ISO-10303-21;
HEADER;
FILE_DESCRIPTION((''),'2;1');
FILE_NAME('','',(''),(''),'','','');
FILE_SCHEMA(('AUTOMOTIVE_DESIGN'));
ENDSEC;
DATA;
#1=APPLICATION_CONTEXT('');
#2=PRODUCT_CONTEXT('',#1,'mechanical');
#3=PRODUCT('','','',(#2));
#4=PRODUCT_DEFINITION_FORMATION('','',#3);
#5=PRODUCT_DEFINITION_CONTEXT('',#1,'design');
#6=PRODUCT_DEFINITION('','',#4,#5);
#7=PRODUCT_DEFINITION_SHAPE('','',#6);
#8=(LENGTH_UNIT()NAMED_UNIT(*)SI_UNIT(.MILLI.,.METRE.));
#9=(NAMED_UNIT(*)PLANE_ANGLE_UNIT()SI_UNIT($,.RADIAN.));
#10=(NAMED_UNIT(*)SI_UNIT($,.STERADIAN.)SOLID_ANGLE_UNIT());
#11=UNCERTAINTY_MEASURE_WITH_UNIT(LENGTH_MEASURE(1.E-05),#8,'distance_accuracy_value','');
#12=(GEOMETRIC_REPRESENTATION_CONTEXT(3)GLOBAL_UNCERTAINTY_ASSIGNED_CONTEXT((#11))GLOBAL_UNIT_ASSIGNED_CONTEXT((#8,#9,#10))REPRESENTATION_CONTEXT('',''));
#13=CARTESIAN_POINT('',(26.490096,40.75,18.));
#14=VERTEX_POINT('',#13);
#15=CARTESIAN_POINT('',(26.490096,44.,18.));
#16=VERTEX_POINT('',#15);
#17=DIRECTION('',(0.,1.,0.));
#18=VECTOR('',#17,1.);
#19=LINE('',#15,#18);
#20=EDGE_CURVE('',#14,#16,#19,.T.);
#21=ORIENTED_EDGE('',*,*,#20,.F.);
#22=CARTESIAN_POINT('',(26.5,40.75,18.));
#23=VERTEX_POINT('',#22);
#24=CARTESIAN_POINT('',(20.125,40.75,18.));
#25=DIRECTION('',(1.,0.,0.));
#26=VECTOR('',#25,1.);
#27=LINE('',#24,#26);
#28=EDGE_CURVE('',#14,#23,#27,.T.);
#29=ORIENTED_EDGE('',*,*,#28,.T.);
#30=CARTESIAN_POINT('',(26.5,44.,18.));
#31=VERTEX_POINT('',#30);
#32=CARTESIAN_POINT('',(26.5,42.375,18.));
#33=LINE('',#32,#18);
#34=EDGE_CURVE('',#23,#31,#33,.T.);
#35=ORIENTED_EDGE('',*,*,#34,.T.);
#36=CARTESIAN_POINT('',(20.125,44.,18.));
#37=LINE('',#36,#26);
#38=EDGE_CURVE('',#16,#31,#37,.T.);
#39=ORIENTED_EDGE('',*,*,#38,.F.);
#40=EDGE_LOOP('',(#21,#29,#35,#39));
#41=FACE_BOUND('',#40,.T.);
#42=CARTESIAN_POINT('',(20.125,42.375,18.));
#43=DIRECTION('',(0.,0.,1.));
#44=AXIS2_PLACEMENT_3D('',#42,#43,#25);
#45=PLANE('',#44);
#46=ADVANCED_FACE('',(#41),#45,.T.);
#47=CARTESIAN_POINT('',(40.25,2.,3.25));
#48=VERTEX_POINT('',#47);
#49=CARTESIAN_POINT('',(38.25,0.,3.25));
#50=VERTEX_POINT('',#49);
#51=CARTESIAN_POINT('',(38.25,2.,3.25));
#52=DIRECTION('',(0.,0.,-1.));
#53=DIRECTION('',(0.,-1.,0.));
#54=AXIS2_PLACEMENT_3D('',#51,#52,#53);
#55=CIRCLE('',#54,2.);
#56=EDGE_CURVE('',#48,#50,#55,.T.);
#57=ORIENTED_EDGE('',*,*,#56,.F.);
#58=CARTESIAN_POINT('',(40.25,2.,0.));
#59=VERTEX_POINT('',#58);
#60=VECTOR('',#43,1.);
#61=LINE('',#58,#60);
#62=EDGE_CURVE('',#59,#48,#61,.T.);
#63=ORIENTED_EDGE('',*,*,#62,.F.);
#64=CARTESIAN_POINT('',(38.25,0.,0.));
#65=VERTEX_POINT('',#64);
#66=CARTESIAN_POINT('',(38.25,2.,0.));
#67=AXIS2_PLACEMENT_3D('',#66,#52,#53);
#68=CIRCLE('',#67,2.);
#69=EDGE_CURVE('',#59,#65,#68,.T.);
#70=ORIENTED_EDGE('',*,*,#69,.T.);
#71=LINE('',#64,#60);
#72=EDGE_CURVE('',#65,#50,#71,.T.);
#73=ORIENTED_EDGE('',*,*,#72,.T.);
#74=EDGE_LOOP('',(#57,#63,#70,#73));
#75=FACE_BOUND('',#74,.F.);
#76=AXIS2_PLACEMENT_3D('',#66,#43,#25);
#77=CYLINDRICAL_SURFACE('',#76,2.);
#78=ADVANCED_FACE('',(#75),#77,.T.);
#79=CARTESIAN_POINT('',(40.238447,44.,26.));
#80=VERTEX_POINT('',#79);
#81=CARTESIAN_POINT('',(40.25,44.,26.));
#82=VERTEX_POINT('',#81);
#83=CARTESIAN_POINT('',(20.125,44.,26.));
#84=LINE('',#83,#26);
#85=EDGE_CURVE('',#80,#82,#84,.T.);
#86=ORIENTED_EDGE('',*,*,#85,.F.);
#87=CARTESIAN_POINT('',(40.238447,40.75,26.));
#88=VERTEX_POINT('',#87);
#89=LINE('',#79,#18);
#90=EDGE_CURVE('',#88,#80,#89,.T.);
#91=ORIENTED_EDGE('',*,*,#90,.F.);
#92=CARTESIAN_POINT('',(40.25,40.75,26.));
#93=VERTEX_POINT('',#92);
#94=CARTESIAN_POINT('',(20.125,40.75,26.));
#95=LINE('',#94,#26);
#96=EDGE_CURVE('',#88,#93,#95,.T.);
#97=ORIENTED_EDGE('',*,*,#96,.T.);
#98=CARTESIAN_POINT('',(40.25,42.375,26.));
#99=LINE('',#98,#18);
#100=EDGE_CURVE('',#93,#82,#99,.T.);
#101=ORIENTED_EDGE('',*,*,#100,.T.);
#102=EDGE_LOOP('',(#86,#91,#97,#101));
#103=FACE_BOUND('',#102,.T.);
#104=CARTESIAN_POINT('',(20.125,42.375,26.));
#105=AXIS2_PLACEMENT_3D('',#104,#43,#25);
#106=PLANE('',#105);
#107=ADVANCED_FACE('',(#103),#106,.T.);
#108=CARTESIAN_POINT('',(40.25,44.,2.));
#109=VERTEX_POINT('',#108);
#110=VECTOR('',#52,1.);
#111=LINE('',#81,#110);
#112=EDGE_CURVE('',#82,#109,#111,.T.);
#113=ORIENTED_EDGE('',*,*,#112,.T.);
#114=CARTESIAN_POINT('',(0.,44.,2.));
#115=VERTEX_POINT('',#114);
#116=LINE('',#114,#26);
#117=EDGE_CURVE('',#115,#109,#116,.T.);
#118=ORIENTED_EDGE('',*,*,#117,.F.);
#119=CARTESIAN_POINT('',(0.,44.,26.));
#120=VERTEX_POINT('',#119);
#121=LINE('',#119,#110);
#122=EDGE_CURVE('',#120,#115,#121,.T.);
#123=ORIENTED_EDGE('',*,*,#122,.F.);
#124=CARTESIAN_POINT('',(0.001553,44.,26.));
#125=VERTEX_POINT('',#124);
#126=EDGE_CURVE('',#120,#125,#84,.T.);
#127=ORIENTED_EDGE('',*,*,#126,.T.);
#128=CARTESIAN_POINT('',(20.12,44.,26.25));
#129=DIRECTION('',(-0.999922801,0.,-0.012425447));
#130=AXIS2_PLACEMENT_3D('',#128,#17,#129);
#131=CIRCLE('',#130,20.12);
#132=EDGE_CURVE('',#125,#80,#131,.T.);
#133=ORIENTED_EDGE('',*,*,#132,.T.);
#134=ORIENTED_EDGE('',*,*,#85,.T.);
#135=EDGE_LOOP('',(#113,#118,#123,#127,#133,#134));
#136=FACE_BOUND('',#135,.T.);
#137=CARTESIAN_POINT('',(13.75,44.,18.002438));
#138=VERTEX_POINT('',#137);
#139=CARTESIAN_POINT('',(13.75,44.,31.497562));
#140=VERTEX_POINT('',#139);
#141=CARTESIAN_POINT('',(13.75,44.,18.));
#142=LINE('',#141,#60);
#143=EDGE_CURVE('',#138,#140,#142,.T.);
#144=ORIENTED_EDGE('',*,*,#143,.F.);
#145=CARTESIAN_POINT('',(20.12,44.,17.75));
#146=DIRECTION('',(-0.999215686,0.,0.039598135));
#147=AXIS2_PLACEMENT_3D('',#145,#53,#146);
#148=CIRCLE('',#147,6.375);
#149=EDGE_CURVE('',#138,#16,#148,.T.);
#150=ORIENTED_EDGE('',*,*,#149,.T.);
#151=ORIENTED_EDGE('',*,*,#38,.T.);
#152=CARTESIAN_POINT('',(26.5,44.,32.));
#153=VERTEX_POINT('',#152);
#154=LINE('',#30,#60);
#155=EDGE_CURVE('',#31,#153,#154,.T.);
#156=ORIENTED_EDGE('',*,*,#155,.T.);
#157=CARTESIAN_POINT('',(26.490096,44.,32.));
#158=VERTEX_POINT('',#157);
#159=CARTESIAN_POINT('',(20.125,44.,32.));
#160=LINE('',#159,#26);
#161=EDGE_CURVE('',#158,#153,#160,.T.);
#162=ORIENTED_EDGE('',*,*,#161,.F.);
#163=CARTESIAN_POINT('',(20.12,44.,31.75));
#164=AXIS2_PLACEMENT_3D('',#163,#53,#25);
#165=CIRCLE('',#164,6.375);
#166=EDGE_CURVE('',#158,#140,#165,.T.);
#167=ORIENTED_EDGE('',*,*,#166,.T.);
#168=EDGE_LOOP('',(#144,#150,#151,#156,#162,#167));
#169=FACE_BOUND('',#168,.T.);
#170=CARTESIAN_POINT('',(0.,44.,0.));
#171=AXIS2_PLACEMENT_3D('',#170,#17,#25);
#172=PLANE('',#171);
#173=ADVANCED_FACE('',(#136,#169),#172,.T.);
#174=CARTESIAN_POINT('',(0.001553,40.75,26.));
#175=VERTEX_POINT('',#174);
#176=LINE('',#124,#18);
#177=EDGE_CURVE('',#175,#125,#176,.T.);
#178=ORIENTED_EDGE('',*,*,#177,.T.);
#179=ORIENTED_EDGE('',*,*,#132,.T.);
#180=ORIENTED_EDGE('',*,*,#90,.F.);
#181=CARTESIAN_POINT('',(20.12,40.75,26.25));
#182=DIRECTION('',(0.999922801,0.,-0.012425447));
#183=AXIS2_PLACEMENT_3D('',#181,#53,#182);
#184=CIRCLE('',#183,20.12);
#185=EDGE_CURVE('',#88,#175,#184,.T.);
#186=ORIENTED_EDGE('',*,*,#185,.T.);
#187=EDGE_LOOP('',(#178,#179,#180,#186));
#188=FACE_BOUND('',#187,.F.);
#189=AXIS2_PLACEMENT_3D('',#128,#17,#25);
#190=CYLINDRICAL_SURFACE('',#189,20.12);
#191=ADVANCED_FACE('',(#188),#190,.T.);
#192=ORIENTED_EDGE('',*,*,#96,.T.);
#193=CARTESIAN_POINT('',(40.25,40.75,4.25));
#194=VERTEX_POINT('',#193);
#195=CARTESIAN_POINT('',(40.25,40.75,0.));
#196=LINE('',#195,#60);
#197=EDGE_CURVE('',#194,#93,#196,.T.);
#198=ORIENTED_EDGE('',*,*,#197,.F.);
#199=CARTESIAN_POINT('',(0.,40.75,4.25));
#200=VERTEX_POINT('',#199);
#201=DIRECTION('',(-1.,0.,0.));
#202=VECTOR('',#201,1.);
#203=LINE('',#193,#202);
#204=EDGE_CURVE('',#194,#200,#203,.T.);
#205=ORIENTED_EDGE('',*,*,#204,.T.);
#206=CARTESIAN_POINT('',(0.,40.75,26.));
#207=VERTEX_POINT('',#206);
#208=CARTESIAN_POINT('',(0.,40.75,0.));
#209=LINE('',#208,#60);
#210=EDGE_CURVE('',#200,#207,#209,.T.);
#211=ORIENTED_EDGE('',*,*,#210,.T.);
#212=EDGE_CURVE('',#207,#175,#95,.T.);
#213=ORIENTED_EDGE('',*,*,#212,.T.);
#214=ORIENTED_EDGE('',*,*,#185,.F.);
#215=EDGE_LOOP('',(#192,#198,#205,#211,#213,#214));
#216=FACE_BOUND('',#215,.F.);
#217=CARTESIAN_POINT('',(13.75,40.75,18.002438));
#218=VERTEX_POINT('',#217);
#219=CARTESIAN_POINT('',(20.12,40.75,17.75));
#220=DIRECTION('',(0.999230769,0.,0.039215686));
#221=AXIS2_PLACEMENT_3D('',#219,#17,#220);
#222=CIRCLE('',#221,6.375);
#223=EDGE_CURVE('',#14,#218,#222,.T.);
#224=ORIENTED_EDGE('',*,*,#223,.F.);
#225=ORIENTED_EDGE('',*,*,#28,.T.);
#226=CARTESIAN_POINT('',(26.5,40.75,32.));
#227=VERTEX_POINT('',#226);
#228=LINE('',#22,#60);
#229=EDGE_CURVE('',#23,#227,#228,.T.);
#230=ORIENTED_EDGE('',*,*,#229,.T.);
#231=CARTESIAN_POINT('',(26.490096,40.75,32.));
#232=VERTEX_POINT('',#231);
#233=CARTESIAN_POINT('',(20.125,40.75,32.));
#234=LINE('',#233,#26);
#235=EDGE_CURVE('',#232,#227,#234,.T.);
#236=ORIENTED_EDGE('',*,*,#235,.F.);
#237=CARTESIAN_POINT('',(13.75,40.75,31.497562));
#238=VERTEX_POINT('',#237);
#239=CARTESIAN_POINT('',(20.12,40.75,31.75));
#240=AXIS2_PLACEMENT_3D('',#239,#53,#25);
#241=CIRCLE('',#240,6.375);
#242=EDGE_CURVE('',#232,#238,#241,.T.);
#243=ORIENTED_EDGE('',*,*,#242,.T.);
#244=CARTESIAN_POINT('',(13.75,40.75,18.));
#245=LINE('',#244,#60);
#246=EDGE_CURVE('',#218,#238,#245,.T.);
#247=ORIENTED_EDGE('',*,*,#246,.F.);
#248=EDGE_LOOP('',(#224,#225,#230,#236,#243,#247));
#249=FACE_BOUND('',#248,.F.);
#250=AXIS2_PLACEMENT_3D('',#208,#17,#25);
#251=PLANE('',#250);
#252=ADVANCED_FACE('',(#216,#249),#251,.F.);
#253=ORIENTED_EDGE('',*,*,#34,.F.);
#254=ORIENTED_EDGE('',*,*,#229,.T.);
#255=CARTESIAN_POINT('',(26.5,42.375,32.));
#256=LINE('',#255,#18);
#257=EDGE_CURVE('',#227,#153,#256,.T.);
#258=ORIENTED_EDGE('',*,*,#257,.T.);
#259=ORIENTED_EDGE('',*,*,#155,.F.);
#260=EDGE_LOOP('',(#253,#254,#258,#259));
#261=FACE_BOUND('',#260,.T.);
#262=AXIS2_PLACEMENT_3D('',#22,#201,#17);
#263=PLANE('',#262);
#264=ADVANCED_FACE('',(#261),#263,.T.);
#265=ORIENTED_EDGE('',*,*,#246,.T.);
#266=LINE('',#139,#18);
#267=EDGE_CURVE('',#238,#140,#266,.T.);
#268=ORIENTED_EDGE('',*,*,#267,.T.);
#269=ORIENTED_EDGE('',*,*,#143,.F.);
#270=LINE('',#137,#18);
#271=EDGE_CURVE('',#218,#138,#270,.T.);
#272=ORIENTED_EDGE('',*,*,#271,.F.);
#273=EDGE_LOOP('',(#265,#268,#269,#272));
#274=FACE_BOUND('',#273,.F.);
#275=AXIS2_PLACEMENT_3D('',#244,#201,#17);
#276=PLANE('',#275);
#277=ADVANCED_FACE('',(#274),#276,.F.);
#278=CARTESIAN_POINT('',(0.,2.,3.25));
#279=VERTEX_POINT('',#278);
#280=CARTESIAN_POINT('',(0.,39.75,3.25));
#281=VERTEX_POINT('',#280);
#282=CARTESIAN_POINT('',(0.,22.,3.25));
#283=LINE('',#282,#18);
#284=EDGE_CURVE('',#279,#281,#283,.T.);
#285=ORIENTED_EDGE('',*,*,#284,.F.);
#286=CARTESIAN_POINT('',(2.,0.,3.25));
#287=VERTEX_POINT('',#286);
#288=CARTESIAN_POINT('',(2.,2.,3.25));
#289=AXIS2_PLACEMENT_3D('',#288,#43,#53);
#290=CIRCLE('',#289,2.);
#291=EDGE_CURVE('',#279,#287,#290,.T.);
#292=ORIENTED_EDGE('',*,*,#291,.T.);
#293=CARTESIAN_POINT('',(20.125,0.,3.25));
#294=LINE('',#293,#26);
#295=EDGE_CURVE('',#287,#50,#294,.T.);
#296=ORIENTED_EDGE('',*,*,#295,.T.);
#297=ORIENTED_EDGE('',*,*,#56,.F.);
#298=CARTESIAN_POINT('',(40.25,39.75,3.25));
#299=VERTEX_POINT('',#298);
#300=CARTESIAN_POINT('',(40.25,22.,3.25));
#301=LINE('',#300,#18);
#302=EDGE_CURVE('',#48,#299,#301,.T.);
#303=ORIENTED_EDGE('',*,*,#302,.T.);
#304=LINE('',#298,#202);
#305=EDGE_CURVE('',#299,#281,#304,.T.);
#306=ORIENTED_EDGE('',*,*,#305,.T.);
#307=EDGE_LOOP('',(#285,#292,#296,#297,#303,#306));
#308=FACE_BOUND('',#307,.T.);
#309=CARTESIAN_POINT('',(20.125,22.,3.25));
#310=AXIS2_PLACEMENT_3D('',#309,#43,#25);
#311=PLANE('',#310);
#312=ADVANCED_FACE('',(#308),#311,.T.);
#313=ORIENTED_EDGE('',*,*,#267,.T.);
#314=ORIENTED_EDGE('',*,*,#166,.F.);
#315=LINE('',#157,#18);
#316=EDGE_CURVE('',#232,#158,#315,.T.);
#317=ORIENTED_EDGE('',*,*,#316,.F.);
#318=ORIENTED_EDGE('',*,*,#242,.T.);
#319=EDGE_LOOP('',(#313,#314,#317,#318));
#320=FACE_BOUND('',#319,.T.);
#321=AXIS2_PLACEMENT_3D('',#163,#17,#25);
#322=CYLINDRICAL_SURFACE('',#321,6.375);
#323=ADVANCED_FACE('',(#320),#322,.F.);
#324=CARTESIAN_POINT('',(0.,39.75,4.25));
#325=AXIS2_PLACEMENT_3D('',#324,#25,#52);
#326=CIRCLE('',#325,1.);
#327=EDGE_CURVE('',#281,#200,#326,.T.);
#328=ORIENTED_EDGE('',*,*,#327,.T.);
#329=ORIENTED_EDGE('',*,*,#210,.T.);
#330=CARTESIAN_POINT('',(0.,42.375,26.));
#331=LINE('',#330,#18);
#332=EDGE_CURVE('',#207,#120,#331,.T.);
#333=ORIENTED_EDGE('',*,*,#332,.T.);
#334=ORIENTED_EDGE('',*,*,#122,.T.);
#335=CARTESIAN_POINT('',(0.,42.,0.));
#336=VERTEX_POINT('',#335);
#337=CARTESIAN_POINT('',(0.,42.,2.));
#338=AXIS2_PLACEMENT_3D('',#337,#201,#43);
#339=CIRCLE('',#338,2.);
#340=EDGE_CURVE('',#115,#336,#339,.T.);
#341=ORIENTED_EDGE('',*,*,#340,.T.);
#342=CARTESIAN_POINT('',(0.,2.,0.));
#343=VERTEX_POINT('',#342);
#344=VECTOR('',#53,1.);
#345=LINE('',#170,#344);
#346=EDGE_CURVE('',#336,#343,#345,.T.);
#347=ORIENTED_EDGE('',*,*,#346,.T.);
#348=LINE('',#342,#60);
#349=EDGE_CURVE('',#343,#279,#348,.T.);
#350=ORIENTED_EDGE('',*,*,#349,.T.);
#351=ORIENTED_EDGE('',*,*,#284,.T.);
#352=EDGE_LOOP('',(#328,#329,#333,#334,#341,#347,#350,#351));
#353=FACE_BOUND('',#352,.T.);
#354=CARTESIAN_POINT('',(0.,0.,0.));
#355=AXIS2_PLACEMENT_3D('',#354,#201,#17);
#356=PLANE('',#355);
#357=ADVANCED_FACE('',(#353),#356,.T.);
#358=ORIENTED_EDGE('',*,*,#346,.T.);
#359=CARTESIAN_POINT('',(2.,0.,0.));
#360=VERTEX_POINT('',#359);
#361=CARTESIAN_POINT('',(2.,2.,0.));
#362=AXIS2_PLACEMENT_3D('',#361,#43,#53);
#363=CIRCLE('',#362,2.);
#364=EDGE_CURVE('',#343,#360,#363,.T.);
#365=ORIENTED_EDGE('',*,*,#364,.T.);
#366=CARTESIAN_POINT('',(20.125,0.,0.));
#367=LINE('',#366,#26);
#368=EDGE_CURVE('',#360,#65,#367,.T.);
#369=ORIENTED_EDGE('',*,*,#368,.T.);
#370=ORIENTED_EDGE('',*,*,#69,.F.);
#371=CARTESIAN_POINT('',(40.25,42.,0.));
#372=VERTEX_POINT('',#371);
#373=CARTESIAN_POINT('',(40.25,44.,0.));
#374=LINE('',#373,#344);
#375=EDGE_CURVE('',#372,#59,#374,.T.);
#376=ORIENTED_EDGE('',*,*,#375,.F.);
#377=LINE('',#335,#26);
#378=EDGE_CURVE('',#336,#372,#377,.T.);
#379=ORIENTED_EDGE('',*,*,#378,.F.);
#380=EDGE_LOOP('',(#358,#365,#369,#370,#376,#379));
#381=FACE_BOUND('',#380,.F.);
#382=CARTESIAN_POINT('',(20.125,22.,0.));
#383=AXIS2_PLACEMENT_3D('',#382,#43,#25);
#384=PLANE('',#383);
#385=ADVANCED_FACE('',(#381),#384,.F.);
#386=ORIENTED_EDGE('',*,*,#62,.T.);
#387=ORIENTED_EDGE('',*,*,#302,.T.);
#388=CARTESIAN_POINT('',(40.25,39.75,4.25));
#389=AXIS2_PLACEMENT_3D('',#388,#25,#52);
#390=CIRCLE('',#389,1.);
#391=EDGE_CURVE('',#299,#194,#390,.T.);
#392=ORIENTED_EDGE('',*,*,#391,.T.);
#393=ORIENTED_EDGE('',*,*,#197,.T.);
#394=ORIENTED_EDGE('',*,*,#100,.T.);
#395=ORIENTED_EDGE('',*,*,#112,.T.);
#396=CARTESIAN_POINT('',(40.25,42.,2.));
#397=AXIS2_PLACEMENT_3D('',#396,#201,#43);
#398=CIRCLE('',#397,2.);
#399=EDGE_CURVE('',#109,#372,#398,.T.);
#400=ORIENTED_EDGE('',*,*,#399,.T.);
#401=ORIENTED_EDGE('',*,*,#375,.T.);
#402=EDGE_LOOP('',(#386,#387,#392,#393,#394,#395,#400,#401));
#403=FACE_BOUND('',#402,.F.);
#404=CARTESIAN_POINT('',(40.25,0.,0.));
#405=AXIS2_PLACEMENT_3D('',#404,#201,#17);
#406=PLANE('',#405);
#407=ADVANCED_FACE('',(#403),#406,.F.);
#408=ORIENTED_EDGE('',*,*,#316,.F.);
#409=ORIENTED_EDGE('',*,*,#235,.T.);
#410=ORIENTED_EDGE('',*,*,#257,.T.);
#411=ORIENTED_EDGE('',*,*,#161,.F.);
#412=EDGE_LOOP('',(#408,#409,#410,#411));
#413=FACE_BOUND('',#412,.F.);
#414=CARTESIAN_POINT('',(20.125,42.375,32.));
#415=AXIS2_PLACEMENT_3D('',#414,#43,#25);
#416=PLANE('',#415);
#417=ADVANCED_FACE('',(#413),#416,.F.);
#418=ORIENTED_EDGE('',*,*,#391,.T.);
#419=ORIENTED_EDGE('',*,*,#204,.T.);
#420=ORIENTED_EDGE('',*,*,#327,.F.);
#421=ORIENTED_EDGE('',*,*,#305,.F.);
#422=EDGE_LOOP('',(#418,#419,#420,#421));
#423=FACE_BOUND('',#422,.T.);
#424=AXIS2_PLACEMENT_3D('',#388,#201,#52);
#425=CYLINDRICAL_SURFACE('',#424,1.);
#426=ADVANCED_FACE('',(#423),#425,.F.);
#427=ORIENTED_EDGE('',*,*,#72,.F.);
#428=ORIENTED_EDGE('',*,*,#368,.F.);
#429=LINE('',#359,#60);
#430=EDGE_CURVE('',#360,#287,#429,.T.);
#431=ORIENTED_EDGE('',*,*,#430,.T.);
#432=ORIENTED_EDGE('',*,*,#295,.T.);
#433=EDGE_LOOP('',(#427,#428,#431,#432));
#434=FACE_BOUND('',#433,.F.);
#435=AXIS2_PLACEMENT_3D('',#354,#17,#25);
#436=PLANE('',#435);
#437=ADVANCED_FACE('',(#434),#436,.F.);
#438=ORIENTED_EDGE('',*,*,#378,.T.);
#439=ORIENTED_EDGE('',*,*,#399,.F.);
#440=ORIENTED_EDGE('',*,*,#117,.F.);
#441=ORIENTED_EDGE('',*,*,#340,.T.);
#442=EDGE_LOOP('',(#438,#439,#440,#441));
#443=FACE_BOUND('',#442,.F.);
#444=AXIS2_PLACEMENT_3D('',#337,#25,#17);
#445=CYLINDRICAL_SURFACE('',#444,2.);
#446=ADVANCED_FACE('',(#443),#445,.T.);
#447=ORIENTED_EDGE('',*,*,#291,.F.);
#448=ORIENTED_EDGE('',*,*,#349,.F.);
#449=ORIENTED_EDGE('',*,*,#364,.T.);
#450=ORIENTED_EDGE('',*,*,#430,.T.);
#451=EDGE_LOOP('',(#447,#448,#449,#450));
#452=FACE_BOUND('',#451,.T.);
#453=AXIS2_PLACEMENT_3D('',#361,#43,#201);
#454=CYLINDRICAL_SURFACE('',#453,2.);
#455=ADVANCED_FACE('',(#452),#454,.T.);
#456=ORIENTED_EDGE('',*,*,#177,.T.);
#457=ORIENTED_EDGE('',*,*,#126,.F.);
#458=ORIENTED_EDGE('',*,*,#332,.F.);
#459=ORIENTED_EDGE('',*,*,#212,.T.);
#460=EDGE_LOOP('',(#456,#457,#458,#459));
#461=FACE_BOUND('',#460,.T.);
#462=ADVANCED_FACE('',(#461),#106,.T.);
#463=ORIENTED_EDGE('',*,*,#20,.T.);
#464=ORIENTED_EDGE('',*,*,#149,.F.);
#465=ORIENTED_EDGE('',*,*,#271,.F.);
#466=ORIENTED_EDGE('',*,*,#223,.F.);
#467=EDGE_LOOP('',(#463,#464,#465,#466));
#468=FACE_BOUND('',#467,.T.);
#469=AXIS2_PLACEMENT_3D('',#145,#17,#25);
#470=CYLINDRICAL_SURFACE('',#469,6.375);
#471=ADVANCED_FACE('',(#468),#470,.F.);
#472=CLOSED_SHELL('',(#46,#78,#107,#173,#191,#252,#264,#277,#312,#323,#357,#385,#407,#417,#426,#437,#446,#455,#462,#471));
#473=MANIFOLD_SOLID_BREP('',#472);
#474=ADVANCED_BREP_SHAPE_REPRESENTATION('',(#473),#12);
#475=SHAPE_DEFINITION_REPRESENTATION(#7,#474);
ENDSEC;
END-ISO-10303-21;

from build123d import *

# Parameters (mm, degrees)
BOX008_W          = 12.75
BOX008_H          = 3.25
BOX008_DEPTH      = 14
CYLINDER004_R     = 6.375
CYLINDER004_DEPTH = 3.25
CYLINDER002_R     = 6.375
CYLINDER002_DEPTH = 3.25
BOX009_W          = 40.25
BOX009_H          = 3.25
BOX009_DEPTH      = 26
BOX007_W          = 40.25
BOX007_H          = 44
BOX007_DEPTH      = 3.25
CYLINDER003_R     = 20.12
CYLINDER003_DEPTH = 3.25
FILLET008_1_R     = 2
FILLET008_2_R     = 1


with BuildPart() as cube004:
    # Box008 → Box008 (new body)
    with BuildSketch(Plane(origin=(13.75, 40.75, 18), x_dir=(1, 0, 0), z_dir=(0, 0, 1))):
        with Locations((6.375, 1.625)):
            Rectangle(BOX008_W, BOX008_H)
    extrude(amount=BOX008_DEPTH)


with BuildPart() as cylinder004:
    # Cylinder004 → Cylinder004 (new body)
    with BuildSketch(Plane(origin=(20.12, 44, 17.75), x_dir=(1, 0, 0), z_dir=(0, -1, 0))):
        Circle(CYLINDER004_R)
    extrude(amount=CYLINDER004_DEPTH)


with BuildPart() as cylinder002:
    # Cylinder002 → Cylinder002 (new body)
    with BuildSketch(Plane(origin=(20.12, 44, 31.75), x_dir=(1, 0, 0), z_dir=(0, -1, 0))):
        Circle(CYLINDER002_R)
    extrude(amount=CYLINDER002_DEPTH)


with BuildPart() as cube005:
    # Box009 → Box009 (new body)
    with BuildSketch(Plane(origin=(0, 40.75, 0), x_dir=(1, 0, 0), z_dir=(0, 0, 1))):
        with Locations((20.125, 1.625)):
            Rectangle(BOX009_W, BOX009_H)
    extrude(amount=BOX009_DEPTH)


with BuildPart() as fusion:
    # Box007 → Box007 (new body)
    with BuildSketch(Plane.XY):
        with Locations((20.125, 22)):
            Rectangle(BOX007_W, BOX007_H)
    extrude(amount=BOX007_DEPTH)

    # Fusion: union Cube005
    add(cube005.part)


with BuildPart() as fillet008:
    # Cylinder003 → Cylinder003 (new body)
    with BuildSketch(Plane(origin=(20.12, 44, 26.25), x_dir=(1, 0, 0), z_dir=(0, -1, 0))):
        Circle(CYLINDER003_R)
    extrude(amount=CYLINDER003_DEPTH)

    # Fusion001: union Fusion
    add(fusion.part)

    # Cut: cut Cylinder002
    add(cylinder002.part, mode=Mode.SUBTRACT)

    # Cut001: cut Cylinder004
    add(cylinder004.part, mode=Mode.SUBTRACT)

    # Cut002: cut Cube004
    add(cube004.part, mode=Mode.SUBTRACT)

    # Fillet008 1
    fillet008_1_edges = [fillet008.edges().sort_by_distance(p)[0] for p in [
        (20.125, 44, 0),
        (40.25, 0, 1.625),
        (0, 0, 1.625),
    ]]
    fillet(fillet008_1_edges, radius=FILLET008_1_R)

    # Fillet008 2
    fillet008_2_edges = [fillet008.edges().sort_by_distance(p)[0] for p in [
        (20.125, 40.75, 3.25),
    ]]
    fillet(fillet008_2_edges, radius=FILLET008_2_R)


solid = fillet008.part
